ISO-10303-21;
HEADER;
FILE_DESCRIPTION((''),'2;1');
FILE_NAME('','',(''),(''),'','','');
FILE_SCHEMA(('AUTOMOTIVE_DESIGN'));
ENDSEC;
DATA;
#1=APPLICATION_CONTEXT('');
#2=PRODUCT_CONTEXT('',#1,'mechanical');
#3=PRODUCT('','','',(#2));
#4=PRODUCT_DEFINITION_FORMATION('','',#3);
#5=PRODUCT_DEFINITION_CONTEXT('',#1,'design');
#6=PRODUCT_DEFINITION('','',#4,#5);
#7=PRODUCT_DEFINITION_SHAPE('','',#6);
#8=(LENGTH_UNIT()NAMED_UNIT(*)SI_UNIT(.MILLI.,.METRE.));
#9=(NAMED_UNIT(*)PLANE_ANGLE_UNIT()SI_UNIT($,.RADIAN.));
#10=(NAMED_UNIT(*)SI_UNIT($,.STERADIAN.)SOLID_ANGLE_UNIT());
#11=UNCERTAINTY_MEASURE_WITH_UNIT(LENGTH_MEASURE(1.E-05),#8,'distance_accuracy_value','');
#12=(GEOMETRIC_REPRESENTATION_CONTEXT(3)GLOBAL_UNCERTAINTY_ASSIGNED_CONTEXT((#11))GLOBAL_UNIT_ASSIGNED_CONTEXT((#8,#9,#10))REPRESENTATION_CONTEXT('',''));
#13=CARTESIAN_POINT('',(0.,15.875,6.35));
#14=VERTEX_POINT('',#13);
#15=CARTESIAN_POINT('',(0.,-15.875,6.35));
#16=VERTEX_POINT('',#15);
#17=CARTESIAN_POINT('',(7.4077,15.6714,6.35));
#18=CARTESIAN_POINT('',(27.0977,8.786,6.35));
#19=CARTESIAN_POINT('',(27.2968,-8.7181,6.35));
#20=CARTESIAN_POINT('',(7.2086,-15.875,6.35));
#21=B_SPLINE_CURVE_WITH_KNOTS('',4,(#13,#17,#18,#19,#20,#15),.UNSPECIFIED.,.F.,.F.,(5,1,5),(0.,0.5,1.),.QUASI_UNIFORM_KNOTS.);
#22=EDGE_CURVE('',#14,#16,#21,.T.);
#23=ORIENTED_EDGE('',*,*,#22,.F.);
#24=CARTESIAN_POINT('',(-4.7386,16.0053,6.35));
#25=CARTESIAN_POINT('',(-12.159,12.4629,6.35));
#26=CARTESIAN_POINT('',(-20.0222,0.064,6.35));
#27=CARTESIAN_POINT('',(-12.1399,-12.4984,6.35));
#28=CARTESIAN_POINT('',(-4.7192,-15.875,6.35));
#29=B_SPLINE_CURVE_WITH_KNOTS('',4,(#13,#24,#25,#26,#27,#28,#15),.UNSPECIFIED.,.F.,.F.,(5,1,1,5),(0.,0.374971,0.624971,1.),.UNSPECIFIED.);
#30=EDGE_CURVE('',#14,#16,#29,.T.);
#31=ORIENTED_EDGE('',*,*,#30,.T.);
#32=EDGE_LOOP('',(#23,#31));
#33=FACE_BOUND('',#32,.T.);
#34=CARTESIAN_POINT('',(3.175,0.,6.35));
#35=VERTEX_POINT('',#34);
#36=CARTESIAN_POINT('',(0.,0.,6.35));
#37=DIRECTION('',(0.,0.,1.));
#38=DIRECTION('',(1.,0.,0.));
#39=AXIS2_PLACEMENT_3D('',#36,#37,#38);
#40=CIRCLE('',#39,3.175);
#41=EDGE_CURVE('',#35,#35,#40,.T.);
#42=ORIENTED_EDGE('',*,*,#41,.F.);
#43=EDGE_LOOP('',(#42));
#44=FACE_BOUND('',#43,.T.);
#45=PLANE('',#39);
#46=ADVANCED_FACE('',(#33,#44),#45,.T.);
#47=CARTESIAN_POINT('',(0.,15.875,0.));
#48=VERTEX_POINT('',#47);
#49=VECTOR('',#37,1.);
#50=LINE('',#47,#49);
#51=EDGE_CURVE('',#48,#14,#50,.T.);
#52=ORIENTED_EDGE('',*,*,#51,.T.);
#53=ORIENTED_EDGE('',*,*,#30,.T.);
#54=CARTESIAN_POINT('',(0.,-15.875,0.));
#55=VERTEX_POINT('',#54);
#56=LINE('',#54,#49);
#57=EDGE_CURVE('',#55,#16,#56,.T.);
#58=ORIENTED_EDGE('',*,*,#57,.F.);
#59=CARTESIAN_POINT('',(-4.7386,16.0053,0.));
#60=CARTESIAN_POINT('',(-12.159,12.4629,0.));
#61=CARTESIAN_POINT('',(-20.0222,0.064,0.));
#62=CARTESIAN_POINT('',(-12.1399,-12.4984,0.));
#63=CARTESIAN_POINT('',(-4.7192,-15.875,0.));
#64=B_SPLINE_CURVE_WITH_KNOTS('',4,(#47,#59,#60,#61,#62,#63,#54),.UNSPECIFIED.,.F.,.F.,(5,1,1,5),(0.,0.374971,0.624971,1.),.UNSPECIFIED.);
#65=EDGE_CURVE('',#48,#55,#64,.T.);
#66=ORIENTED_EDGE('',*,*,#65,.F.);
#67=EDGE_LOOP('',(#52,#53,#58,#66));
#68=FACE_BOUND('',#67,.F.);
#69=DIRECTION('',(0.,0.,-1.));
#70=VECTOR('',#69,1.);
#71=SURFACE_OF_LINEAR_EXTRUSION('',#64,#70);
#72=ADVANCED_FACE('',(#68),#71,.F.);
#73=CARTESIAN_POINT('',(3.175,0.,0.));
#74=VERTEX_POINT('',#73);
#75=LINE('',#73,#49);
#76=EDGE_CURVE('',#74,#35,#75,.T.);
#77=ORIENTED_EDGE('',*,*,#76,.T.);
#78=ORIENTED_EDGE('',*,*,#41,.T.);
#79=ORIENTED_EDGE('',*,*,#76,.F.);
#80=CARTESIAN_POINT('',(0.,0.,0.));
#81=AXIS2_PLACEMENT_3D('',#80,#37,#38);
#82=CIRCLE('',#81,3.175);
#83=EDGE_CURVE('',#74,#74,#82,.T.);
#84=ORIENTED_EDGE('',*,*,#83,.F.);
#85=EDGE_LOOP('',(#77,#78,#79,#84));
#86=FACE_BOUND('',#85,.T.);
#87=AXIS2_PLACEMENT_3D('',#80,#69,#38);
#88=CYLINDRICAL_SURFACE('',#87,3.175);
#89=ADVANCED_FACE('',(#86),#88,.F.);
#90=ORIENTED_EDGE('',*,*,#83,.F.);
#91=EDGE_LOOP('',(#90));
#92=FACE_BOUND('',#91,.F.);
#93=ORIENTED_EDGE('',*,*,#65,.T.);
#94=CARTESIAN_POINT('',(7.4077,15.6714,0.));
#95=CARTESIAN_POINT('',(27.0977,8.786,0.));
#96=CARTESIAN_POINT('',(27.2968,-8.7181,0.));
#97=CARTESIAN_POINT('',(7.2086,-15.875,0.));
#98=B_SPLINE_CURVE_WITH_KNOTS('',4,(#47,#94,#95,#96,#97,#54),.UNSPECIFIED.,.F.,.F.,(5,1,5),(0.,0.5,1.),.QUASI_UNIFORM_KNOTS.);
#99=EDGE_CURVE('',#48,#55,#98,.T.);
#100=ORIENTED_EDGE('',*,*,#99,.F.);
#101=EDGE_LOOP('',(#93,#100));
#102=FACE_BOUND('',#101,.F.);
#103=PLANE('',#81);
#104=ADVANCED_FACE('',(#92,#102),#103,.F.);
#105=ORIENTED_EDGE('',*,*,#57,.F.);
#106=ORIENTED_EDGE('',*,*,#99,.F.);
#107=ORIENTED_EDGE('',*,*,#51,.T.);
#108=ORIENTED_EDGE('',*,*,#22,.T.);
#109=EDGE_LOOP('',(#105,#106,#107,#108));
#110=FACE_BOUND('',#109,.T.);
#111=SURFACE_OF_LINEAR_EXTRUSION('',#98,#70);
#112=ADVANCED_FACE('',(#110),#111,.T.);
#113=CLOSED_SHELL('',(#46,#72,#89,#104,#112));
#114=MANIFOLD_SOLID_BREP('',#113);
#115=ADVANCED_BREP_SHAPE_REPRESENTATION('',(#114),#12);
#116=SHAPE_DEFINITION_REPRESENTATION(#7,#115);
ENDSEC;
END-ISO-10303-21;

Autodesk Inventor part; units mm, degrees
ref_plane "YZ Plane" through (0, 0, 0) normal (1, 0, 0) x (0, 1, 0)
ref_plane "XY Plane" through (0, 0, 0) normal (0, 0, 1) x (1, 0, 0)
sketch "Sketch1" plane through (0, 0, 0) normal (0, 0, 1) x (1, 0, 0)
  circle A0 centre (0, 0) radius 3.175
  line L0 (-0.0081, 11.43) -> (-0.0081, -11.43) construction
  line L1 (-0.0081, 0.0081) -> (15.875, -15.875) construction
  line L2 (0, 0) -> (13.5171, 13.5171) construction
  spline S0 degree 4 poles (0, 15.875) (-4.7386, 16.0053) (-12.159, 12.4629) (-20.0222, 0.064) (-12.1399, -12.4984) (-4.7192, -15.875) (0, -15.875) knots 0 0 0 0 0 0.374971 0.624971 1 1 1 1 1
  line L3 (-0.0081, 0.0081) -> (-14.3755, 14.3755) construction
  line L4 (0, 0) -> (-13.1389, -13.1389) construction
  spline S1 degree 4 poles (0, 15.875) (7.4077, 15.6714) (27.0977, 8.786) (27.2968, -8.7181) (7.2086, -15.875) (0, -15.875) knots 0 0 0 0 0 0.5 1 1 1 1 1
  line L5 (22.225, 3.8294) -> (22.225, -3.8294) construction
  arc A1 (21.7894, -2.9312) -> (21.7894, 2.9312) centre (12.1443, 0) ccw construction
  line L6 (4.981, -15.875) -> (-4.981, -15.875) construction
  arc A2 (-3.903, -15.4775) -> (3.903, -15.4775) centre (0, 3.487) ccw construction
  point P0 (-0.0081, 0)
  point P1 (-11.1125, 11.1125)
  point P2 (-15.869, 0.0264)
  point P3 (-11.0968, -11.0727)
  point P4 (22.225, 0)
  dimension "d0" = 6.35
  dimension "d7" = 45
  dimension "d8" = 45
  dimension "d9" = 45
  dimension "d10" = 45
extrude "Extrusion1" add sketch "Sketch1" along normal blind 6.35
sketch "Sketch4" plane through (0, 0, 0) normal (0, 1, 0) x (-1, 0, 0)
  point P0 (0, 0)
sketch "Sketch5" plane through (0, 0, 0) normal (0, 1, 0) x (-1, 0, 0)
  point P0 (0, 0)
properties part number "Cam lobe" material "Stainless Steel, 440C"
